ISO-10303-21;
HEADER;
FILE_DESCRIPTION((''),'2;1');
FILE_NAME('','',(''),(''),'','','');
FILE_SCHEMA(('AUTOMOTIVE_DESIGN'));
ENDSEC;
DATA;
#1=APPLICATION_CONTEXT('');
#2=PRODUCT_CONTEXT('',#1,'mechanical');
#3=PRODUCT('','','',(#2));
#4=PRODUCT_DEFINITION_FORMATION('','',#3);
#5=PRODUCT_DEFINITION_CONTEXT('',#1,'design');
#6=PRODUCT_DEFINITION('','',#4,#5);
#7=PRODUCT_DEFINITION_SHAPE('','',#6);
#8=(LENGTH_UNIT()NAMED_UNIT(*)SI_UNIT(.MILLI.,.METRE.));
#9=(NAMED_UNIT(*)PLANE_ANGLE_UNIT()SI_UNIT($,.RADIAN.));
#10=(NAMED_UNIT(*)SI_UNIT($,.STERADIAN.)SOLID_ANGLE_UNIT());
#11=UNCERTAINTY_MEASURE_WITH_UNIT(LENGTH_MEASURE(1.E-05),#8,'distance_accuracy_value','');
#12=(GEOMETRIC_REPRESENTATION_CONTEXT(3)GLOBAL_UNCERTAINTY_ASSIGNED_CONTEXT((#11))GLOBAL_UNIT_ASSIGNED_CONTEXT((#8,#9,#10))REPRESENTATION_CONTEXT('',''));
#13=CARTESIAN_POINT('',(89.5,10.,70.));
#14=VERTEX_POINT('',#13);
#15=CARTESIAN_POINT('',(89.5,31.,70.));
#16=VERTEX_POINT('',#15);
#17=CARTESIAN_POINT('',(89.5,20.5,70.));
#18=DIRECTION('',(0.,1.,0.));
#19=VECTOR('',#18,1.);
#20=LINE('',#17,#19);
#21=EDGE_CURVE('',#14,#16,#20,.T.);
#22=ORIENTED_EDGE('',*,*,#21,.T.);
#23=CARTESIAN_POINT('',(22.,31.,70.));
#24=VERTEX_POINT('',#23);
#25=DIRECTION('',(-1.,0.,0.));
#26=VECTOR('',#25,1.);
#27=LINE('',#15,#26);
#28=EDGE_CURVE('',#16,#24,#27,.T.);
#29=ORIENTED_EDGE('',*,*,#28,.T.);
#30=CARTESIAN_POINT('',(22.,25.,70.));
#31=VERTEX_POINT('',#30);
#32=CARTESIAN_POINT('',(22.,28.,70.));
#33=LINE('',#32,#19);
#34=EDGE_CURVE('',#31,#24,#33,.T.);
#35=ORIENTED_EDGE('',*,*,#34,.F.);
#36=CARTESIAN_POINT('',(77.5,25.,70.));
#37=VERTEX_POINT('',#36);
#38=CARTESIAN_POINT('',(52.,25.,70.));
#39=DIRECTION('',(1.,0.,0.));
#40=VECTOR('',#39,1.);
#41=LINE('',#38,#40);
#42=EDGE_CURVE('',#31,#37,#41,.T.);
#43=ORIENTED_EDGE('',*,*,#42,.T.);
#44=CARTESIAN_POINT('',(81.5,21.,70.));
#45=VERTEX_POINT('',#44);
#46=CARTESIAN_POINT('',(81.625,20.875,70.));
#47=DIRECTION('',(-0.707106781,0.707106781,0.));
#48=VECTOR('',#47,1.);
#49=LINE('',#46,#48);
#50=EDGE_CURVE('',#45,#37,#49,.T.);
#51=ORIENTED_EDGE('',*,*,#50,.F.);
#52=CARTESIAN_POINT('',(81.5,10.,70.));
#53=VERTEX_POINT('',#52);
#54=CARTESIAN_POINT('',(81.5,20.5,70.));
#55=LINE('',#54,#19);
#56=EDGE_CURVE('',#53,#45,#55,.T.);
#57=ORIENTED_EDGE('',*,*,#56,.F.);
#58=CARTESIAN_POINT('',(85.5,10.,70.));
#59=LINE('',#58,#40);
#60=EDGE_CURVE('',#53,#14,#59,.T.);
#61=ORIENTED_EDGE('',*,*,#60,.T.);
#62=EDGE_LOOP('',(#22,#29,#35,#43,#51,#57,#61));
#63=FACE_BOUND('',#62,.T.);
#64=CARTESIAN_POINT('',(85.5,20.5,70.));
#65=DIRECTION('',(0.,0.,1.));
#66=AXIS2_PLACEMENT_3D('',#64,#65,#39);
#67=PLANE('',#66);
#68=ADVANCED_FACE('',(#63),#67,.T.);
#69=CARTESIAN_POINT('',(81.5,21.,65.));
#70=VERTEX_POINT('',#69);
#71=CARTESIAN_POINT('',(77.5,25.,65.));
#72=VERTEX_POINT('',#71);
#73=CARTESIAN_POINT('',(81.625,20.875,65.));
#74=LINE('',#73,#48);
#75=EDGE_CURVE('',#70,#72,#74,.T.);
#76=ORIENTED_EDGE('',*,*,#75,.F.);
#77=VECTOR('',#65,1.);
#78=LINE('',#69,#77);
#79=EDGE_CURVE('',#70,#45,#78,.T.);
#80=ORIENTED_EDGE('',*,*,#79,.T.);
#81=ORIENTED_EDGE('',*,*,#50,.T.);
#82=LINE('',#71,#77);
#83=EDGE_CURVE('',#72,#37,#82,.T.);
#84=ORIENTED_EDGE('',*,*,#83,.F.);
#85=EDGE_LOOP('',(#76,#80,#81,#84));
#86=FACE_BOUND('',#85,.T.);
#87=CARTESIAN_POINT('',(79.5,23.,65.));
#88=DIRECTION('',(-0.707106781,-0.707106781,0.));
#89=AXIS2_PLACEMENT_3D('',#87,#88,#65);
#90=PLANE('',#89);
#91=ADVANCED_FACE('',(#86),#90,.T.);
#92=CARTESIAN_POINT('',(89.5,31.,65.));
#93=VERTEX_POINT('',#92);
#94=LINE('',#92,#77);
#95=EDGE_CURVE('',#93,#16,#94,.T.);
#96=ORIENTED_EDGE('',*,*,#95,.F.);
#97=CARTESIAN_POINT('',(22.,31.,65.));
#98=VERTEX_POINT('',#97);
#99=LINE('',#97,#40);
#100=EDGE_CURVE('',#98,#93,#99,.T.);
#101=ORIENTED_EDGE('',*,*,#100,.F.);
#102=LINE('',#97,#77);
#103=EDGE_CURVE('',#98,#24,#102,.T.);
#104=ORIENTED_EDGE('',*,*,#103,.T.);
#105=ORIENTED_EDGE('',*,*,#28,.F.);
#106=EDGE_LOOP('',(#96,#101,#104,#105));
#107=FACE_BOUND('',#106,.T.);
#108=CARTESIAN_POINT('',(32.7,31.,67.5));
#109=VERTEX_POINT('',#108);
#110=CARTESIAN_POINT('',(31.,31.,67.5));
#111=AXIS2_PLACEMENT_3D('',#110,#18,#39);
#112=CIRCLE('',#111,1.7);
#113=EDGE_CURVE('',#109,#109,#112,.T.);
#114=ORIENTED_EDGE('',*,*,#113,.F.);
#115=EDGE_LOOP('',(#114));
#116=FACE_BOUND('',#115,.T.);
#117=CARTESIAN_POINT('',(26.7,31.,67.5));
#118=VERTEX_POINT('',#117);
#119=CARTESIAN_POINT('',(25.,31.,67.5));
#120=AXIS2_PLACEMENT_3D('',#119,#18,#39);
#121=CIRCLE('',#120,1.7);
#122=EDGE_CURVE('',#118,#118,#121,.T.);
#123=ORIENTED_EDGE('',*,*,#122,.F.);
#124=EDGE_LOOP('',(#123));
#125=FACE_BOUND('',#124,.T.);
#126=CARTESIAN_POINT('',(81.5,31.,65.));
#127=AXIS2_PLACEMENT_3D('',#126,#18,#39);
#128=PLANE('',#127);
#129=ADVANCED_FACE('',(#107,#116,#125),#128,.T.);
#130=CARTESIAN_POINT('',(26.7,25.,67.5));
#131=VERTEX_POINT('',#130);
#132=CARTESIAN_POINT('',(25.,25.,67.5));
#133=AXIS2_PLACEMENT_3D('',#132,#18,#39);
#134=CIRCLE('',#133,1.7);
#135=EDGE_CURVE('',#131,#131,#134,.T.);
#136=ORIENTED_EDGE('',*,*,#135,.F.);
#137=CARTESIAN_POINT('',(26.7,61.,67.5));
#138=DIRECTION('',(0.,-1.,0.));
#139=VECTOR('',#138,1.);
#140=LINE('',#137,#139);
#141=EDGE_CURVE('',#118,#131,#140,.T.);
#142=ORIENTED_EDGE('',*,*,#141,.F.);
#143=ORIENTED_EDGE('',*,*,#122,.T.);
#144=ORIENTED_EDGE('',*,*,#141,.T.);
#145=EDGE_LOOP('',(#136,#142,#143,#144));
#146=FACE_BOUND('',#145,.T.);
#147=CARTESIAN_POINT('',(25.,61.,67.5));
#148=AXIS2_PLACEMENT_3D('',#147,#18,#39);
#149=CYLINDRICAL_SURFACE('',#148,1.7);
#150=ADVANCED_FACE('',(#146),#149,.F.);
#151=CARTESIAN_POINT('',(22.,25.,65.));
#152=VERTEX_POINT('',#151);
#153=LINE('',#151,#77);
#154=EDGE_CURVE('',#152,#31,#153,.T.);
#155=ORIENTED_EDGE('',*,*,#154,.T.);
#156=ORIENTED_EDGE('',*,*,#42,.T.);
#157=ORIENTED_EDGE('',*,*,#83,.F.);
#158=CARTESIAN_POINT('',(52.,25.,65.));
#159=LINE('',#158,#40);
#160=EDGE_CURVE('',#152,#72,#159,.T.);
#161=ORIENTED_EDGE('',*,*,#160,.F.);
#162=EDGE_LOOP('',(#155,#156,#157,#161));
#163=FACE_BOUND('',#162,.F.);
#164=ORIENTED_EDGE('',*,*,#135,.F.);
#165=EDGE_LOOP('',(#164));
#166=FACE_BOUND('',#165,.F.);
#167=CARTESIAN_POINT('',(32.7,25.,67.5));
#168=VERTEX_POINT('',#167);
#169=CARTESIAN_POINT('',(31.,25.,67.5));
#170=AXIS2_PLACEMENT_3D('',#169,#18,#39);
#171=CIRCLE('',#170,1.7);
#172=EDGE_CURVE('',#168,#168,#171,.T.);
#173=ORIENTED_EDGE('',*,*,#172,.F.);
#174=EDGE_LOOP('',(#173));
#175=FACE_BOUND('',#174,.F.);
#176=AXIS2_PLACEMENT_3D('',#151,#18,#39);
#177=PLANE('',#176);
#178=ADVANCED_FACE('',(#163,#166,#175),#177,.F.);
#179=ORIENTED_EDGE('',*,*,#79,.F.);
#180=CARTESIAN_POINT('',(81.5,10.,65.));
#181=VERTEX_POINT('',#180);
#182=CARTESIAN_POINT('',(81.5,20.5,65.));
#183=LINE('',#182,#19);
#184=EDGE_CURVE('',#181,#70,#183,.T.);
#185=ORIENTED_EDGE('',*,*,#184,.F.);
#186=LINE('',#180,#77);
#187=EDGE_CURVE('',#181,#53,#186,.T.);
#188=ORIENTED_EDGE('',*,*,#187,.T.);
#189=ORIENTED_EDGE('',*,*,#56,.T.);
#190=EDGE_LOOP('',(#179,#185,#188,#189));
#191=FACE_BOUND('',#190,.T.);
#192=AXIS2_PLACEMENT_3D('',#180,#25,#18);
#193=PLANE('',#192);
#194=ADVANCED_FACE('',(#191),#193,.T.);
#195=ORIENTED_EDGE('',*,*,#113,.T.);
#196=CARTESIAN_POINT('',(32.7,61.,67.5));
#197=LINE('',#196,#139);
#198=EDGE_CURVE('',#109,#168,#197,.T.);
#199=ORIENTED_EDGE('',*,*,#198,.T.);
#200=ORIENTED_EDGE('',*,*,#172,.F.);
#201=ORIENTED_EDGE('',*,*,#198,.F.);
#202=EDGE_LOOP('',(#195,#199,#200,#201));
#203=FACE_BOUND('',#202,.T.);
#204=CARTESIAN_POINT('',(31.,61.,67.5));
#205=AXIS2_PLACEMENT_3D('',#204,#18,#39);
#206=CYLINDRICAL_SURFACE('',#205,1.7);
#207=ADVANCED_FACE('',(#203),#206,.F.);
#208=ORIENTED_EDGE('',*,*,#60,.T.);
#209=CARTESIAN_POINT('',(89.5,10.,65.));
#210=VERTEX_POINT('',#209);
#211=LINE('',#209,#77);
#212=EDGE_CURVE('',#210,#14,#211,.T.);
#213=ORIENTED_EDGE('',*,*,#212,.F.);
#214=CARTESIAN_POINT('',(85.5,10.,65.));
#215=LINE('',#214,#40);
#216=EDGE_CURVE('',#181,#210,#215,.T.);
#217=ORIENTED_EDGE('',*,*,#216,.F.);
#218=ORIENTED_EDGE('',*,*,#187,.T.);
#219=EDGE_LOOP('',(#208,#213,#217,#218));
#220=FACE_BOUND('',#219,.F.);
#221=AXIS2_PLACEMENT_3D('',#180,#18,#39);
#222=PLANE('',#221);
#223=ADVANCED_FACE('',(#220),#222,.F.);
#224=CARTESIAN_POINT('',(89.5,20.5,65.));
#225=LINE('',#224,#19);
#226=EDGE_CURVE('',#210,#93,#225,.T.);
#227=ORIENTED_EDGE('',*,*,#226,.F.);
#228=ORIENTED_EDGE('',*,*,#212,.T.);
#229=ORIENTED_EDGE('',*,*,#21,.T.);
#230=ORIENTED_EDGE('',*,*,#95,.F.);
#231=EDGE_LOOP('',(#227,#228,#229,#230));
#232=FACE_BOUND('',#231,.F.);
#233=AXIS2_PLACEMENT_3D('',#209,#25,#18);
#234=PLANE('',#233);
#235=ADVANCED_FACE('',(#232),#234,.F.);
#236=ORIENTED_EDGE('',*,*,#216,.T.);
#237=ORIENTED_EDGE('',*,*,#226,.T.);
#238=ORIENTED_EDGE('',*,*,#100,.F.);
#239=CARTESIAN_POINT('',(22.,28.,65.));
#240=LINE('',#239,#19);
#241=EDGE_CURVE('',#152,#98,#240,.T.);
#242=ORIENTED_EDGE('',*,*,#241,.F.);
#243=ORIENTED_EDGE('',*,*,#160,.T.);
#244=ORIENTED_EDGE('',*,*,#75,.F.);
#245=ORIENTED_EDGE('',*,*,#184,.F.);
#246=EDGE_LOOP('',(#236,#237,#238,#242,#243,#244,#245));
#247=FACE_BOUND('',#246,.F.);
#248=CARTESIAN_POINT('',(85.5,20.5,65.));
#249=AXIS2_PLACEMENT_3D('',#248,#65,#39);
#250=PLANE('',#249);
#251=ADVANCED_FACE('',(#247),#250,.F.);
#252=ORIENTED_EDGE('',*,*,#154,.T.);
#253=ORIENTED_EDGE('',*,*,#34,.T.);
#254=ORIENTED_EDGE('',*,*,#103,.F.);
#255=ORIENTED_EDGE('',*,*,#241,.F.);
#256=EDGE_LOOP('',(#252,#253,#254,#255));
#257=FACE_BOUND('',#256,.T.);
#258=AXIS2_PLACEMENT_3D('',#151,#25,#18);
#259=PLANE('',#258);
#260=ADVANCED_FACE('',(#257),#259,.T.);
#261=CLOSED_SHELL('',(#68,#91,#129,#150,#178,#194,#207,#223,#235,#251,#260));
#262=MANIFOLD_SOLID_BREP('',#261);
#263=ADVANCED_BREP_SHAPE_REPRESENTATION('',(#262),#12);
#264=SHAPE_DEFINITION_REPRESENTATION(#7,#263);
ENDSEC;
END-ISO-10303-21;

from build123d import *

# Parameters (mm, degrees)
CYLINDER074_R          = 1.7
CYLINDER074_DEPTH      = 50
CYLINDER074_ROLL_ANGLE = 90
CYLINDER073_R          = 1.7
CYLINDER073_DEPTH      = 50
CYLINDER073_ROLL_ANGLE = 90
BOX038_W               = 8
BOX038_H               = 21
BOX038_DEPTH           = 5
BOX037_W               = 60
BOX037_H               = 6
BOX037_DEPTH           = 5
CHAMFER005_SIZE        = 4


with BuildPart() as filament009:
    # Cylinder074 → Cylinder074 (new body)
    with BuildSketch(Plane.XY):
        Circle(CYLINDER074_R)
    extrude(amount=CYLINDER074_DEPTH)


with BuildPart() as filament009_1:
    # Cylinder074 roll: moved
    add(filament009.part.rotate(Axis((0, 0, 0), (1, 0, 0)), CYLINDER074_ROLL_ANGLE))


with BuildPart() as filament009_2:
    # Cylinder074 placement: moved
    add(filament009_1.part.moved(Location((25, 61, 67.5))))


with BuildPart() as m3_clearance002:
    # Cylinder073 → Cylinder073 (new body)
    with BuildSketch(Plane.XY):
        Circle(CYLINDER073_R)
    extrude(amount=CYLINDER073_DEPTH)


with BuildPart() as m3_clearance002_1:
    # Cylinder073 roll: moved
    add(m3_clearance002.part.rotate(Axis((0, 0, 0), (1, 0, 0)), CYLINDER073_ROLL_ANGLE))


with BuildPart() as m3_clearance002_2:
    # Cylinder073 placement: moved
    add(m3_clearance002_1.part.moved(Location((31, 61, 67.5))))

    # Fusion044: union filament009
    add(filament009_2.part)


with BuildPart() as cube035:
    # Box038 → Box038 (new body)
    with BuildSketch(Plane(origin=(81.5, 10, 65), x_dir=(1, 0, 0), z_dir=(0, 0, 1))):
        with Locations((4, 10.5)):
            Rectangle(BOX038_W, BOX038_H)
    extrude(amount=BOX038_DEPTH)


with BuildPart() as track_clamp_c:
    # Box037 → Box037 (new body)
    with BuildSketch(Plane(origin=(22, 25, 65), x_dir=(1, 0, 0), z_dir=(0, 0, 1))):
        with Locations((30, 3)):
            Rectangle(BOX037_W, BOX037_H)
    extrude(amount=BOX037_DEPTH)

    # Fusion043: union Cube035
    add(cube035.part)

    # Chamfer005
    chamfer005_edges = [track_clamp_c.edges().sort_by_distance(p)[0] for p in [
        (81.5, 25, 67.5),
    ]]
    chamfer(chamfer005_edges, length=CHAMFER005_SIZE)

    # Cut031: cut M3-clearance002
    add(m3_clearance002_2.part, mode=Mode.SUBTRACT)


solid = track_clamp_c.part
